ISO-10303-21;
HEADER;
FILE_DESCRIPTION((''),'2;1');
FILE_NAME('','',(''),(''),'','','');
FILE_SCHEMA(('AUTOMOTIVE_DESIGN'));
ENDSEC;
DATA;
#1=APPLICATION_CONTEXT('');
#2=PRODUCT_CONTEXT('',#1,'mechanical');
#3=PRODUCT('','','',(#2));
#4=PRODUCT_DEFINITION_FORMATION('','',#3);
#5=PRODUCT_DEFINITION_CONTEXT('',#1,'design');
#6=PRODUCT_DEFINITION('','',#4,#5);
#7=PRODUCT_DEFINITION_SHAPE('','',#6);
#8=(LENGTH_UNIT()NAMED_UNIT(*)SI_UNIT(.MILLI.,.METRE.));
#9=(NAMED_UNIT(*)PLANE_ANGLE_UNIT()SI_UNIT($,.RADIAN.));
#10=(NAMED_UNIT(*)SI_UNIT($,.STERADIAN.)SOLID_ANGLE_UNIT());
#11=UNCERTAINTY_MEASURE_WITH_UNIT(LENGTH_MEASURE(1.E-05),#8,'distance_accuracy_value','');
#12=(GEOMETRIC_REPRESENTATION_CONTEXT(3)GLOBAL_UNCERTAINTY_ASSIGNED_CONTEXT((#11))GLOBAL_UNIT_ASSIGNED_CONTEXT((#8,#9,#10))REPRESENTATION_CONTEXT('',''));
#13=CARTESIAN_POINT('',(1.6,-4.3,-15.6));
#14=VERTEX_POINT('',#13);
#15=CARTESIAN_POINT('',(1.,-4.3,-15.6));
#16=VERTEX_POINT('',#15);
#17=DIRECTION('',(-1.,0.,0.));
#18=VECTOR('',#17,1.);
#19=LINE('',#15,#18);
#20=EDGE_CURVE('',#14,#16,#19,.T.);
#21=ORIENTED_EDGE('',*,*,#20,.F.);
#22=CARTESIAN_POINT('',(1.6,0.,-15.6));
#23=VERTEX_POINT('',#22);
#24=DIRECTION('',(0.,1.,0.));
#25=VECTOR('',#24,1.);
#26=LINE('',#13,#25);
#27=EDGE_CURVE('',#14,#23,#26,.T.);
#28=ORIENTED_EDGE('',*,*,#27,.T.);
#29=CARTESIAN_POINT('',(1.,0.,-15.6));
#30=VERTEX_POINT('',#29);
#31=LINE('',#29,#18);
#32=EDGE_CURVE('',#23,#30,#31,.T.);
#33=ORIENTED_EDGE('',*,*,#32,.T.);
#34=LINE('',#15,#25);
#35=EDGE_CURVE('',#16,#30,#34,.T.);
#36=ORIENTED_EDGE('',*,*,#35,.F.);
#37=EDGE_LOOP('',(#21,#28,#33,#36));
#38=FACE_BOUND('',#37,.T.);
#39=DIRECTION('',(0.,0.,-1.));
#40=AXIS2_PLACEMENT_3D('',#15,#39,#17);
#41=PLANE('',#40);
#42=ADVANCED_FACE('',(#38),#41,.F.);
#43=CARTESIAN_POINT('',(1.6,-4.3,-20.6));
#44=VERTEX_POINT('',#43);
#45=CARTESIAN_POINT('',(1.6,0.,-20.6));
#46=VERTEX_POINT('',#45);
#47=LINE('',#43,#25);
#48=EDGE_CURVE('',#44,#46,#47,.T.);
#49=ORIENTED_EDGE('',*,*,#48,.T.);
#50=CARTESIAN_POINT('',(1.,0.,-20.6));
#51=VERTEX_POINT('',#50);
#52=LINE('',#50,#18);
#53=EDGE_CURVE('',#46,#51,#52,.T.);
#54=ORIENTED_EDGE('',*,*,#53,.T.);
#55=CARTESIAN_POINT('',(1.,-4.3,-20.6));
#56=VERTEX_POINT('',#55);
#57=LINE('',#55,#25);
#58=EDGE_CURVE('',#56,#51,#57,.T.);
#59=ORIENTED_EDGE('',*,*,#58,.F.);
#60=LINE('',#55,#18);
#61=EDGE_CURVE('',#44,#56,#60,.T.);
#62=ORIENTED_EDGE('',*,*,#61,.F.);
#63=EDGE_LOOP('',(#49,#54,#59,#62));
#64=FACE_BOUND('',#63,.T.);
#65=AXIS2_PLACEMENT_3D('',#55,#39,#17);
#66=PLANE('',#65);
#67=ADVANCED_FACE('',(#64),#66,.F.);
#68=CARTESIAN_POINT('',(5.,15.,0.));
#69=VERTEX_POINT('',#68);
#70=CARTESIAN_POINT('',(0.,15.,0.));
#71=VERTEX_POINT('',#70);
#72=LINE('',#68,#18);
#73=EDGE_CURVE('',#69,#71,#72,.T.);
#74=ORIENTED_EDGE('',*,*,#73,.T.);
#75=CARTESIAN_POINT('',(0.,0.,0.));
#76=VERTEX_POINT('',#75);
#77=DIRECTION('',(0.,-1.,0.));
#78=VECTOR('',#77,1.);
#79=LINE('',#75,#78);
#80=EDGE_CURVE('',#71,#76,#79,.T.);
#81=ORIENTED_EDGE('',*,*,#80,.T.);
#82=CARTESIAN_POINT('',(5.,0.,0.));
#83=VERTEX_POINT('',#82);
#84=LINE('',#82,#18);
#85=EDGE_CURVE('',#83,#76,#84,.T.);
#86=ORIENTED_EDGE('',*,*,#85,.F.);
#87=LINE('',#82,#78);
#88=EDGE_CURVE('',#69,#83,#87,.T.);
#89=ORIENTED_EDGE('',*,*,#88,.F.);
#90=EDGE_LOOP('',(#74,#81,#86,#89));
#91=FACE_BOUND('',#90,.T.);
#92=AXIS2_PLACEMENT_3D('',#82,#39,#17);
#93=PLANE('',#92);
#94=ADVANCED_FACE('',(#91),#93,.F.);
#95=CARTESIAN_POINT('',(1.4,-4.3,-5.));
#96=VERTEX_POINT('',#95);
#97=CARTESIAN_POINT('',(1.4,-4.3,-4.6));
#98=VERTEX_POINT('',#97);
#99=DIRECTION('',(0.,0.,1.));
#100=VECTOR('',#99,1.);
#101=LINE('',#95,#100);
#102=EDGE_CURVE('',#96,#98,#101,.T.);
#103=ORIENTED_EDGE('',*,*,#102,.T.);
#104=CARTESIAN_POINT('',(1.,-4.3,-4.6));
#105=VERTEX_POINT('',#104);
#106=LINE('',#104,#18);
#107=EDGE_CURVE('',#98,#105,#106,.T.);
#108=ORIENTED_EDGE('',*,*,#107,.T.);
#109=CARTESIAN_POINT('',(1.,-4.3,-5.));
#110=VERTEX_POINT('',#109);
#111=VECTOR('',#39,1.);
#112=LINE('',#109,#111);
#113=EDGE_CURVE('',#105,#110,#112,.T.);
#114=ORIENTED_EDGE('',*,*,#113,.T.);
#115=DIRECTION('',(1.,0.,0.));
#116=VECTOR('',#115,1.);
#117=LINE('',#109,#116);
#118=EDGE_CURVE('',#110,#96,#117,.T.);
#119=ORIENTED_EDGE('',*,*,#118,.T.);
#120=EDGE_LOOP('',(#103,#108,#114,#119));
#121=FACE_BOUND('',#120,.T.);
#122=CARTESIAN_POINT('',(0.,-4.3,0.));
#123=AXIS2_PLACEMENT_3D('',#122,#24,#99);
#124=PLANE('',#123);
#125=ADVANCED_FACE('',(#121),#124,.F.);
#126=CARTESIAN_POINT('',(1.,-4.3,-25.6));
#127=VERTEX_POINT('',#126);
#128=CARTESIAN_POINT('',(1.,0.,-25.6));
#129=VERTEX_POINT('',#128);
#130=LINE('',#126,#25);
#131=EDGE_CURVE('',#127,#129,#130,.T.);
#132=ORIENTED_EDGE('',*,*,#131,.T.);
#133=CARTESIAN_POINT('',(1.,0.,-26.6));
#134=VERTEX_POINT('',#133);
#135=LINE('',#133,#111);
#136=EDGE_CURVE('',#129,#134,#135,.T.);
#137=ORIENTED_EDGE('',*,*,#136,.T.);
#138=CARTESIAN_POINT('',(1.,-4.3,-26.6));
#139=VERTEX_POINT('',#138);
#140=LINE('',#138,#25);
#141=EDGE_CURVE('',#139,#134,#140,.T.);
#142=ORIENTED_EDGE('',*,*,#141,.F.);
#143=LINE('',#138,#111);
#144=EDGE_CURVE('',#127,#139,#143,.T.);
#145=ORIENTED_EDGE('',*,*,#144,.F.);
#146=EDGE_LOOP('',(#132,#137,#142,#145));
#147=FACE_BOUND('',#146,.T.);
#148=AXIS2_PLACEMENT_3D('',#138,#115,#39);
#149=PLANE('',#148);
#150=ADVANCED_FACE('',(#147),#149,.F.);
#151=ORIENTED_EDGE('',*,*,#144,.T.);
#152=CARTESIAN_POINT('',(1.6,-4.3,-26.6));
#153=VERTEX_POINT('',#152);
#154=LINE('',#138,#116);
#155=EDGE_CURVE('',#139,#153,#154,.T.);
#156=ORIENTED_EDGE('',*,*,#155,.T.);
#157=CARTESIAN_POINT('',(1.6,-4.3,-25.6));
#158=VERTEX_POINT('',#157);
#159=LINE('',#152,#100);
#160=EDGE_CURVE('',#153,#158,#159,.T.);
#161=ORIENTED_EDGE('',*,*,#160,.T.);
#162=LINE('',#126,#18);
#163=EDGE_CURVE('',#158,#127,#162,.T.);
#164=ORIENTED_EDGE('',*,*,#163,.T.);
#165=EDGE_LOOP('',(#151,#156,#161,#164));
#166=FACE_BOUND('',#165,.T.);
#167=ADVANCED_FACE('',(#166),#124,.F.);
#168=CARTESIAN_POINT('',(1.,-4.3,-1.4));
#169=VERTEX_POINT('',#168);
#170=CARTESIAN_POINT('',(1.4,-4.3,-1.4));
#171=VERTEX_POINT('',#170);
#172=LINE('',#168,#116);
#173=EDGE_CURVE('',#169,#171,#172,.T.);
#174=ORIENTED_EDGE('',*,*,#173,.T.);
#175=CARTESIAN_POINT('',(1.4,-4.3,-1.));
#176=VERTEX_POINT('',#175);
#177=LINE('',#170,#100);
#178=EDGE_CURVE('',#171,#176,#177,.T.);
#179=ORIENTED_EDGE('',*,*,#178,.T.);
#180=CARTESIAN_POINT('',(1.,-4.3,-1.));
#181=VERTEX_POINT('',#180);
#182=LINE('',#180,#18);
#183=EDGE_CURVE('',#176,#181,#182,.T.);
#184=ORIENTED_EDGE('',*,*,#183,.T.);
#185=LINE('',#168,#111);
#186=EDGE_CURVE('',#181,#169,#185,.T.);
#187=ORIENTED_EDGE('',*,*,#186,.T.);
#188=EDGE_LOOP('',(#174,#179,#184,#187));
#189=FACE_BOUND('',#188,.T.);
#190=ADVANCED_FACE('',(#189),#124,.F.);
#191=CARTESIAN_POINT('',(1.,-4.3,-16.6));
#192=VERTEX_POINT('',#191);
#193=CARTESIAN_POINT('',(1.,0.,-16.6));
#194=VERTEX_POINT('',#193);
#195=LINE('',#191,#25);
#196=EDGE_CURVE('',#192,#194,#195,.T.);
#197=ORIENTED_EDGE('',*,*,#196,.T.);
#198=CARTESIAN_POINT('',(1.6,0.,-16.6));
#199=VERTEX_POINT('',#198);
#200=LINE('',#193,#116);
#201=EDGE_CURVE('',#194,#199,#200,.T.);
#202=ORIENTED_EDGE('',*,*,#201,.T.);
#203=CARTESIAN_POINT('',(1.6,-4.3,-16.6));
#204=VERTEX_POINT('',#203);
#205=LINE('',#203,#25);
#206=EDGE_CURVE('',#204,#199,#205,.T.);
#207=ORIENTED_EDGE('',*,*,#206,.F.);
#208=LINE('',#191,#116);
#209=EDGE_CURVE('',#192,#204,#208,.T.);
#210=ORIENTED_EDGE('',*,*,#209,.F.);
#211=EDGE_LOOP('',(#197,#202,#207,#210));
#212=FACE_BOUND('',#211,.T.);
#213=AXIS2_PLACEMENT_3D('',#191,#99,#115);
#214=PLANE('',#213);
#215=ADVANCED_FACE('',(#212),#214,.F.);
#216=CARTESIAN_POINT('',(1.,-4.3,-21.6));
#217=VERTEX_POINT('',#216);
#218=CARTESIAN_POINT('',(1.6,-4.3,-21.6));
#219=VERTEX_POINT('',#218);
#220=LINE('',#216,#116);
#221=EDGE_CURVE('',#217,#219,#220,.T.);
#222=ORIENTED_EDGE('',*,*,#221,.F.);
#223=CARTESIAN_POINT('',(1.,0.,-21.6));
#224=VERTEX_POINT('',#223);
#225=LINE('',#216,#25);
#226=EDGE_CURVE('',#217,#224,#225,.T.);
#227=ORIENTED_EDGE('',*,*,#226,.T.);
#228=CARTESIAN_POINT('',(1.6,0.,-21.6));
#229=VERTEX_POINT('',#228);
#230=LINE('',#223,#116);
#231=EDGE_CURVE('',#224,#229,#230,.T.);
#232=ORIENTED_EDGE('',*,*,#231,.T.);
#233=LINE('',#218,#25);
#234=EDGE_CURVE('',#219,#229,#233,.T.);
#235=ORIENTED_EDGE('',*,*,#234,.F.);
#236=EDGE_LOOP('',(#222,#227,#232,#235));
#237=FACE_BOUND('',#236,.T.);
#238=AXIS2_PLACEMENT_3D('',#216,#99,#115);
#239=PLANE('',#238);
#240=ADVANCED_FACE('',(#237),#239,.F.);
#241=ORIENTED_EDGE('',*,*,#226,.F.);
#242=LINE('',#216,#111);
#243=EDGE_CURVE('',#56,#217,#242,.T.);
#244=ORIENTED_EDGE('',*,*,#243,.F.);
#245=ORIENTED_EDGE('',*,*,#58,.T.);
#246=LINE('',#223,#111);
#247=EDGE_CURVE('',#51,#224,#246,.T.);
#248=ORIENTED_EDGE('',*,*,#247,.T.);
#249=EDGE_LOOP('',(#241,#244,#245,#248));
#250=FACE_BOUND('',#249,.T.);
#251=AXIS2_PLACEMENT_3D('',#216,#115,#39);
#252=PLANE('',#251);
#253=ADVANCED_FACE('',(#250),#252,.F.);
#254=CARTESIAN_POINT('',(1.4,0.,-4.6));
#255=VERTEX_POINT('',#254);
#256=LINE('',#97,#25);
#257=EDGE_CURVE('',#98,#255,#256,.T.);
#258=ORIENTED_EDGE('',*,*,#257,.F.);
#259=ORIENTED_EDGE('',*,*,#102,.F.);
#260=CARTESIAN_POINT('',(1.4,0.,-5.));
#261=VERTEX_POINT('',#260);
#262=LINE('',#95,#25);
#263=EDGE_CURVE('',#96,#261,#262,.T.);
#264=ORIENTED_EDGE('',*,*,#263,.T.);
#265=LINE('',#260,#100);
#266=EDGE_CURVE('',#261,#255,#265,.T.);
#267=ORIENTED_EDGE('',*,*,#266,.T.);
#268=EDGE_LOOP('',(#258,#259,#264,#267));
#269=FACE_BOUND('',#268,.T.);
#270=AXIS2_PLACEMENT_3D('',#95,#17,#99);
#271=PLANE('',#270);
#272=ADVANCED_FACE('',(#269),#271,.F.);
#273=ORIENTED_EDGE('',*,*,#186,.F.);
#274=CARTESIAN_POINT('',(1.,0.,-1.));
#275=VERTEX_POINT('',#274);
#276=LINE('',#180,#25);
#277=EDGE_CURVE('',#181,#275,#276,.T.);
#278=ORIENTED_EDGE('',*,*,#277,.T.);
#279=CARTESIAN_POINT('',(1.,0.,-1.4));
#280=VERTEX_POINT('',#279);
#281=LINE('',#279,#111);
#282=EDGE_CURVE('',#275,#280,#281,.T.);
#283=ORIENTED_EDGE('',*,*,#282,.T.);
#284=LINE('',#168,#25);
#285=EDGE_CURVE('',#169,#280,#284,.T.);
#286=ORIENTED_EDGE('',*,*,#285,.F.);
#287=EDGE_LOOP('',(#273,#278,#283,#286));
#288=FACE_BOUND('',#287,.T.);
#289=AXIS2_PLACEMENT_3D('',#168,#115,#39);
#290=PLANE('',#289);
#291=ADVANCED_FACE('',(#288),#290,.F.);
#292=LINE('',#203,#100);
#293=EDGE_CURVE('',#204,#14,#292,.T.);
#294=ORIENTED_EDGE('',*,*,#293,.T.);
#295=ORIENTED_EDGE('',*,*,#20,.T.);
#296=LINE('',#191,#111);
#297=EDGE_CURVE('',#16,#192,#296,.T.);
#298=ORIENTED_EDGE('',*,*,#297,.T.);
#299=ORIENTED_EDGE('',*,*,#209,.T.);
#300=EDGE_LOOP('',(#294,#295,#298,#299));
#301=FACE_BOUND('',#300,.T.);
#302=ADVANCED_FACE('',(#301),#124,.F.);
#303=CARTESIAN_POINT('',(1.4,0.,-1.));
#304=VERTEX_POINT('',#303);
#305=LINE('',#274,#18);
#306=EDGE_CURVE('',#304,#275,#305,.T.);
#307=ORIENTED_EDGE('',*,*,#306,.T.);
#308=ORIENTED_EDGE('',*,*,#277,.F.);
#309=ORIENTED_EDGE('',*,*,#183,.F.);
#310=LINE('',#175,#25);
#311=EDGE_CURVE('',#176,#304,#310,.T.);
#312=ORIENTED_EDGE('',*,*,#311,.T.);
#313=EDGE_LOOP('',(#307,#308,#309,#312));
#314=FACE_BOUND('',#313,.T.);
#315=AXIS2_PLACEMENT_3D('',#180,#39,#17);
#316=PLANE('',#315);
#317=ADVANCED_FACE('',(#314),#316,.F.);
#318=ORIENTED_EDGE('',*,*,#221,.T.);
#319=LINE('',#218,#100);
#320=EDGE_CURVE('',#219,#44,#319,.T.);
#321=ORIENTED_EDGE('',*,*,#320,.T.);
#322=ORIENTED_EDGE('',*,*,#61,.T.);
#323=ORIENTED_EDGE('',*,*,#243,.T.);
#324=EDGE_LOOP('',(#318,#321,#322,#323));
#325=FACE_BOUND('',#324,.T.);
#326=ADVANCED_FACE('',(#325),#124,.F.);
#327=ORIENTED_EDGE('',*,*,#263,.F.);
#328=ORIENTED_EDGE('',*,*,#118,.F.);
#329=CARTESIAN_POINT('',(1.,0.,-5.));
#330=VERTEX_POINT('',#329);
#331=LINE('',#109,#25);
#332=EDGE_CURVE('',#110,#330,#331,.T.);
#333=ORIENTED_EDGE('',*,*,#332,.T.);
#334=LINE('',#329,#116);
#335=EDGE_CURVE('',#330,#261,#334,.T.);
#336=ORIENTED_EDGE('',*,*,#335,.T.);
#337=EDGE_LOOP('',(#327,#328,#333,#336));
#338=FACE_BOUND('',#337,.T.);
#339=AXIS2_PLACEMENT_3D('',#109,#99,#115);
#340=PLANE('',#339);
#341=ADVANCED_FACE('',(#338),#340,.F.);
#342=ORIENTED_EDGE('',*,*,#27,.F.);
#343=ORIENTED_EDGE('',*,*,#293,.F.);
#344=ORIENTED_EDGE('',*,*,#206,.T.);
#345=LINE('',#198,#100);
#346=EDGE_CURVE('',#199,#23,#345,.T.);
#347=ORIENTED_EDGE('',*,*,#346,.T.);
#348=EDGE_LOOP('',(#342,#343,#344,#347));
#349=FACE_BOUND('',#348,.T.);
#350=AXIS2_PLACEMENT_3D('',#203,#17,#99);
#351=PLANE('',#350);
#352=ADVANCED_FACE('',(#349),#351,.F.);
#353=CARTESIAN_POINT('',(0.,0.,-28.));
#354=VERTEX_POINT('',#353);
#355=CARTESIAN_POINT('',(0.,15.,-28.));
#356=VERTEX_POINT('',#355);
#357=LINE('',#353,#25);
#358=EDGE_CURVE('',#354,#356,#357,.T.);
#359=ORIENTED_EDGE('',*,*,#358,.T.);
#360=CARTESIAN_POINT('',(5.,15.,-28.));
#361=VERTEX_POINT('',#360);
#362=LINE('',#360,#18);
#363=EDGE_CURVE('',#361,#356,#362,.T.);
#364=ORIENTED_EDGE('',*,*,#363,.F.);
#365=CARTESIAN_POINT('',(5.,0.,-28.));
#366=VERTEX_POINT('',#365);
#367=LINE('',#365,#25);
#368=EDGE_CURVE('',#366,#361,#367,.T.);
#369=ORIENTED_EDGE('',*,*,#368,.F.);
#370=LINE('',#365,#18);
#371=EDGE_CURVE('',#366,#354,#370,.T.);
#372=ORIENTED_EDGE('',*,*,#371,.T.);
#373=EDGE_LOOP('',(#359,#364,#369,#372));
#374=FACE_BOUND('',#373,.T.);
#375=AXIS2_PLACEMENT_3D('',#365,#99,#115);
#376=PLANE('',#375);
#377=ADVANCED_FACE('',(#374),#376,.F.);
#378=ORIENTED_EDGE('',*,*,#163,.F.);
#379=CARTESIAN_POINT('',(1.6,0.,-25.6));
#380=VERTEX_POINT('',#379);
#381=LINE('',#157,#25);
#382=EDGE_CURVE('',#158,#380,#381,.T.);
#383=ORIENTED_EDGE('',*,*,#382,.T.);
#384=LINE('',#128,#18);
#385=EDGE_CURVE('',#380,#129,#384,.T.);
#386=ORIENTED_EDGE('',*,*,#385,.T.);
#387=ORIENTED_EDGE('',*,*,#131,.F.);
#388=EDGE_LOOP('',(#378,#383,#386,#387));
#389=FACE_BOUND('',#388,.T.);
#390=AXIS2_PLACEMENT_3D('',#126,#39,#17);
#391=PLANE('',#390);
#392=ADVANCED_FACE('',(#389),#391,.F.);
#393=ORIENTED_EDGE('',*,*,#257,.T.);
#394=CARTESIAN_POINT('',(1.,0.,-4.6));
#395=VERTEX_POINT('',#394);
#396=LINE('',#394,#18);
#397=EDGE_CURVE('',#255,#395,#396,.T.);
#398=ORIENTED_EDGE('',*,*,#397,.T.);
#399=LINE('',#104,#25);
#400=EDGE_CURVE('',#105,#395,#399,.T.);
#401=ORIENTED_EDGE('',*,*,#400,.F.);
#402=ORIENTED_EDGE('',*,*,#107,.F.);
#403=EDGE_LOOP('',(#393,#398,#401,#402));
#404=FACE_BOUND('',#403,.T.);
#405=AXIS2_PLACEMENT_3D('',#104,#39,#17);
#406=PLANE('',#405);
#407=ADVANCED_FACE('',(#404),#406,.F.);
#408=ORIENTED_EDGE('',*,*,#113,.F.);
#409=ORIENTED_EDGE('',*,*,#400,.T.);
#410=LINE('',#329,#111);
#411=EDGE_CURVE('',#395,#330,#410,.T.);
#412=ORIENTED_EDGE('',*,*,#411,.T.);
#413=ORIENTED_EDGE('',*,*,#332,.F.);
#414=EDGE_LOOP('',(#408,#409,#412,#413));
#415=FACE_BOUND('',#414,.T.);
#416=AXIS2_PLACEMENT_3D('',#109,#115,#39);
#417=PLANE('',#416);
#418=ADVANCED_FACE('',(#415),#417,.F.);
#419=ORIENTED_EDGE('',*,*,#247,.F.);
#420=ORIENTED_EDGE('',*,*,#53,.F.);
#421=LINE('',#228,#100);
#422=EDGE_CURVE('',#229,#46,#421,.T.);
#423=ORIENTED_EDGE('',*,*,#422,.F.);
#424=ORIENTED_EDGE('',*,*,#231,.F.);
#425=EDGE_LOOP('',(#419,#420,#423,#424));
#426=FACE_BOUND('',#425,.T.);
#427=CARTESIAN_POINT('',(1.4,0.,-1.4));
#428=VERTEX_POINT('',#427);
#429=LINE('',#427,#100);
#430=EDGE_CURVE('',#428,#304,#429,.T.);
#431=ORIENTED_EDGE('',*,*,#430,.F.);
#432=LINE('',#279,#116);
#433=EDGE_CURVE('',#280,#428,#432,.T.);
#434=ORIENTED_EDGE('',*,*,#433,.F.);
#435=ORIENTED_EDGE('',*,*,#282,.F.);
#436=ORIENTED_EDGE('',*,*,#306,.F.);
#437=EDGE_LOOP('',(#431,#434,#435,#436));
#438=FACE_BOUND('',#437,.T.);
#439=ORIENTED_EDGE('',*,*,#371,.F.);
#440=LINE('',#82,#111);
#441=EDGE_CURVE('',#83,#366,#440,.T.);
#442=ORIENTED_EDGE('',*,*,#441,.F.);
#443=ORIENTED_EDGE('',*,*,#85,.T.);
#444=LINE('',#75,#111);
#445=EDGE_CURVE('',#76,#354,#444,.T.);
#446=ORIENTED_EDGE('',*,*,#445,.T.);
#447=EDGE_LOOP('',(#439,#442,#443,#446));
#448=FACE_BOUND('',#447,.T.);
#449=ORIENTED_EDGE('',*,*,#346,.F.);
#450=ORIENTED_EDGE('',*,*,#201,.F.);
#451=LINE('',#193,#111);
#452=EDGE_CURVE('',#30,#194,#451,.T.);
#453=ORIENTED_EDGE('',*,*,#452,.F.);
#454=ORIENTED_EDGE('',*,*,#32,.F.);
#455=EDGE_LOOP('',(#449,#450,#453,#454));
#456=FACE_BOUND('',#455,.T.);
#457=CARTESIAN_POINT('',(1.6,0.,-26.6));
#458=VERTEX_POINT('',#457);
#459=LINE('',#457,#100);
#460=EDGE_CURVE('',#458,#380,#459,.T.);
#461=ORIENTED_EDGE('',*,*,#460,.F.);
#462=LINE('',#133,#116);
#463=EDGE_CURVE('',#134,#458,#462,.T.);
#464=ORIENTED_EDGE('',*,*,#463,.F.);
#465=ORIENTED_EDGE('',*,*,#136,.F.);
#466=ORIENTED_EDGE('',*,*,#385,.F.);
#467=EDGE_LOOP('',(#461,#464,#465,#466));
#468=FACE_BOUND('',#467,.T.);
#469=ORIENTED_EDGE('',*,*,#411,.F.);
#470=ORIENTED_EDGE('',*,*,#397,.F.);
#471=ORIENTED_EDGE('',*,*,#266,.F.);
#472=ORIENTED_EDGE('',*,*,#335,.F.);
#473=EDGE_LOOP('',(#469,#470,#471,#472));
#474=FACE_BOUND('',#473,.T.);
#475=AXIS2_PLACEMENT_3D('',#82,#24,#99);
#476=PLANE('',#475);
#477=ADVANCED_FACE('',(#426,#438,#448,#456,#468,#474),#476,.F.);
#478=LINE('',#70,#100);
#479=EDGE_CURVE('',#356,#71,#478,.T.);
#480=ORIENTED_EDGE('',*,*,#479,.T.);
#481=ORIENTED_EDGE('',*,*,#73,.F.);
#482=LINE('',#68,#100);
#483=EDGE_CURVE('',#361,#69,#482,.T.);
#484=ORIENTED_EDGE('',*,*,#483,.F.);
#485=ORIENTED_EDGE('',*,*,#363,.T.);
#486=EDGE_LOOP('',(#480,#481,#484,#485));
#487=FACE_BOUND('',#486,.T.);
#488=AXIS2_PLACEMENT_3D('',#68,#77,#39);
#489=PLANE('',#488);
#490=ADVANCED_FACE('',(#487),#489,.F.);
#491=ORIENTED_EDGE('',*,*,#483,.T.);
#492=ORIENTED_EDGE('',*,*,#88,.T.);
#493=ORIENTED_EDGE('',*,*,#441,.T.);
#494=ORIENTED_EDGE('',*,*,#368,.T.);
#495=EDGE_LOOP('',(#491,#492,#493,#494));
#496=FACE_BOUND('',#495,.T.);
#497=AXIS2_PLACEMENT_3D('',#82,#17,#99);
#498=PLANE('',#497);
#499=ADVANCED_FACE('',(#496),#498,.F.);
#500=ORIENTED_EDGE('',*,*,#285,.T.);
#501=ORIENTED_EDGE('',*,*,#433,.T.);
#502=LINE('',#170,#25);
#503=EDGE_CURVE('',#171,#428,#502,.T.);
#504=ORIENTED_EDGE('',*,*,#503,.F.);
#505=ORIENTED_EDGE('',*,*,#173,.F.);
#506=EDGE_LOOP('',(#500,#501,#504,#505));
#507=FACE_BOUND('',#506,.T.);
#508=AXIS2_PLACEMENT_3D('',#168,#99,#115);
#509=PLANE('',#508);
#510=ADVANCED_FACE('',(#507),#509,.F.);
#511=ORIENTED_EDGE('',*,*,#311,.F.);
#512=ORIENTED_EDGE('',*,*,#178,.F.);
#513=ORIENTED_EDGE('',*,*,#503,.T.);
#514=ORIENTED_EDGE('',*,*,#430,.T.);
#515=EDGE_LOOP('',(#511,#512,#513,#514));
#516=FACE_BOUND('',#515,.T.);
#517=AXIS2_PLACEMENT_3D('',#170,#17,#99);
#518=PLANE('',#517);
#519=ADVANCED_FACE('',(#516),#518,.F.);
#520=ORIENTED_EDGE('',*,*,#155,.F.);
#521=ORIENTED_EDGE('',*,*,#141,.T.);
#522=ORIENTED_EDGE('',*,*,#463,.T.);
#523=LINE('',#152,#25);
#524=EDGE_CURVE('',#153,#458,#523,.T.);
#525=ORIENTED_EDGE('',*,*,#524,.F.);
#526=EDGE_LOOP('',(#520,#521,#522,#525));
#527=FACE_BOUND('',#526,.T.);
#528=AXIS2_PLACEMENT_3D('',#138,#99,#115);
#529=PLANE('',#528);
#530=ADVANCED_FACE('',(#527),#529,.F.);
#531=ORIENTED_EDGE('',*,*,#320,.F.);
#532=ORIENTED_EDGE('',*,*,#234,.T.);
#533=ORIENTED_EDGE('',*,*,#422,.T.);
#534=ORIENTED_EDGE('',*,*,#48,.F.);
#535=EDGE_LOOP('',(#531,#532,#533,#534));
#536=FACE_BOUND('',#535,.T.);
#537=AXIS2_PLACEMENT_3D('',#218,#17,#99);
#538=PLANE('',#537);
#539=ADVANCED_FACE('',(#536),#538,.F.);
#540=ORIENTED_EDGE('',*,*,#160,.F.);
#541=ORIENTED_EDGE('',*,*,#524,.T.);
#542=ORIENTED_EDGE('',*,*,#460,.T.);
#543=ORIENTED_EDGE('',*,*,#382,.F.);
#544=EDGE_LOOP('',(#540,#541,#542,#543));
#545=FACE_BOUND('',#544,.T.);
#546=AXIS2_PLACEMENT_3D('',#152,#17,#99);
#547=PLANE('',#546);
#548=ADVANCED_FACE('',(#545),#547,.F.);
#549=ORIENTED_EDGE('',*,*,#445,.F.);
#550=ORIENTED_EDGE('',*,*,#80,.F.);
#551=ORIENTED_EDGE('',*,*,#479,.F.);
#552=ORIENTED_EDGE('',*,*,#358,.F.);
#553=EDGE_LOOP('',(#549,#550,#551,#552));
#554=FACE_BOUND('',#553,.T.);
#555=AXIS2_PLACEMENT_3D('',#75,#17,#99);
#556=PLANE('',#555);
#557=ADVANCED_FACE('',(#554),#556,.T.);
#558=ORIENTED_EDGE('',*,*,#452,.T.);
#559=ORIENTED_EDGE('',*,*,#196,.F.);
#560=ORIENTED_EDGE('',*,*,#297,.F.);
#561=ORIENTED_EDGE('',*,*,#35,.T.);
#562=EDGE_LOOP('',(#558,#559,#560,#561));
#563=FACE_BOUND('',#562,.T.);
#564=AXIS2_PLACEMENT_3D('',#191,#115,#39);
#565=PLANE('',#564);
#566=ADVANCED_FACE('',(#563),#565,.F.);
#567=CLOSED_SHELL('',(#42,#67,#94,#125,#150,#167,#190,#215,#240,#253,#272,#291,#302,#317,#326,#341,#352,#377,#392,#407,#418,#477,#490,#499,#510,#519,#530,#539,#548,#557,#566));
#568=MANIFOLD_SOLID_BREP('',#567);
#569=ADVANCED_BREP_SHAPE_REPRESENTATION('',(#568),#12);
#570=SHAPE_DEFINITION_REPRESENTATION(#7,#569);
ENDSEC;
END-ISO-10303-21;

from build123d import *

# Parameters (mm, degrees)
SKETCH1_W           = 28
SKETCH1_H           = 15
BOSS_EXTRUDE1_DEPTH = 5
SKETCH2_W           = 0.4
SKETCH2_H           = 0.4
SKETCH2_W_2         = 0.6
SKETCH2_H_2         = 1
BOSS_EXTRUDE2_DEPTH = 4.3


with BuildPart() as part:
    # Sketch1 → Boss-Extrude1 (new body)
    with BuildSketch(Plane(origin=(0, 0, 0), x_dir=(0, 0, -1), z_dir=(1, 0, 0))):
        with Locations((14, 7.5)):
            Rectangle(SKETCH1_W, SKETCH1_H)
    extrude(amount=BOSS_EXTRUDE1_DEPTH)

    # Sketch2 → Boss-Extrude2 (add)
    with BuildSketch(Plane.XZ):
        with Locations((1.2, -1.2)):
            Rectangle(SKETCH2_W, SKETCH2_H)
        with Locations((1.2, -4.8)):
            Rectangle(SKETCH2_W, SKETCH2_H)
        with Locations((1.3, -26.1)):
            Rectangle(SKETCH2_W_2, SKETCH2_H_2)
        with Locations((1.3, -21.1)):
            Rectangle(SKETCH2_W_2, SKETCH2_H_2)
        with Locations((1.3, -16.1)):
            Rectangle(SKETCH2_W_2, SKETCH2_H_2)
    extrude(amount=BOSS_EXTRUDE2_DEPTH)


solid = part.part
